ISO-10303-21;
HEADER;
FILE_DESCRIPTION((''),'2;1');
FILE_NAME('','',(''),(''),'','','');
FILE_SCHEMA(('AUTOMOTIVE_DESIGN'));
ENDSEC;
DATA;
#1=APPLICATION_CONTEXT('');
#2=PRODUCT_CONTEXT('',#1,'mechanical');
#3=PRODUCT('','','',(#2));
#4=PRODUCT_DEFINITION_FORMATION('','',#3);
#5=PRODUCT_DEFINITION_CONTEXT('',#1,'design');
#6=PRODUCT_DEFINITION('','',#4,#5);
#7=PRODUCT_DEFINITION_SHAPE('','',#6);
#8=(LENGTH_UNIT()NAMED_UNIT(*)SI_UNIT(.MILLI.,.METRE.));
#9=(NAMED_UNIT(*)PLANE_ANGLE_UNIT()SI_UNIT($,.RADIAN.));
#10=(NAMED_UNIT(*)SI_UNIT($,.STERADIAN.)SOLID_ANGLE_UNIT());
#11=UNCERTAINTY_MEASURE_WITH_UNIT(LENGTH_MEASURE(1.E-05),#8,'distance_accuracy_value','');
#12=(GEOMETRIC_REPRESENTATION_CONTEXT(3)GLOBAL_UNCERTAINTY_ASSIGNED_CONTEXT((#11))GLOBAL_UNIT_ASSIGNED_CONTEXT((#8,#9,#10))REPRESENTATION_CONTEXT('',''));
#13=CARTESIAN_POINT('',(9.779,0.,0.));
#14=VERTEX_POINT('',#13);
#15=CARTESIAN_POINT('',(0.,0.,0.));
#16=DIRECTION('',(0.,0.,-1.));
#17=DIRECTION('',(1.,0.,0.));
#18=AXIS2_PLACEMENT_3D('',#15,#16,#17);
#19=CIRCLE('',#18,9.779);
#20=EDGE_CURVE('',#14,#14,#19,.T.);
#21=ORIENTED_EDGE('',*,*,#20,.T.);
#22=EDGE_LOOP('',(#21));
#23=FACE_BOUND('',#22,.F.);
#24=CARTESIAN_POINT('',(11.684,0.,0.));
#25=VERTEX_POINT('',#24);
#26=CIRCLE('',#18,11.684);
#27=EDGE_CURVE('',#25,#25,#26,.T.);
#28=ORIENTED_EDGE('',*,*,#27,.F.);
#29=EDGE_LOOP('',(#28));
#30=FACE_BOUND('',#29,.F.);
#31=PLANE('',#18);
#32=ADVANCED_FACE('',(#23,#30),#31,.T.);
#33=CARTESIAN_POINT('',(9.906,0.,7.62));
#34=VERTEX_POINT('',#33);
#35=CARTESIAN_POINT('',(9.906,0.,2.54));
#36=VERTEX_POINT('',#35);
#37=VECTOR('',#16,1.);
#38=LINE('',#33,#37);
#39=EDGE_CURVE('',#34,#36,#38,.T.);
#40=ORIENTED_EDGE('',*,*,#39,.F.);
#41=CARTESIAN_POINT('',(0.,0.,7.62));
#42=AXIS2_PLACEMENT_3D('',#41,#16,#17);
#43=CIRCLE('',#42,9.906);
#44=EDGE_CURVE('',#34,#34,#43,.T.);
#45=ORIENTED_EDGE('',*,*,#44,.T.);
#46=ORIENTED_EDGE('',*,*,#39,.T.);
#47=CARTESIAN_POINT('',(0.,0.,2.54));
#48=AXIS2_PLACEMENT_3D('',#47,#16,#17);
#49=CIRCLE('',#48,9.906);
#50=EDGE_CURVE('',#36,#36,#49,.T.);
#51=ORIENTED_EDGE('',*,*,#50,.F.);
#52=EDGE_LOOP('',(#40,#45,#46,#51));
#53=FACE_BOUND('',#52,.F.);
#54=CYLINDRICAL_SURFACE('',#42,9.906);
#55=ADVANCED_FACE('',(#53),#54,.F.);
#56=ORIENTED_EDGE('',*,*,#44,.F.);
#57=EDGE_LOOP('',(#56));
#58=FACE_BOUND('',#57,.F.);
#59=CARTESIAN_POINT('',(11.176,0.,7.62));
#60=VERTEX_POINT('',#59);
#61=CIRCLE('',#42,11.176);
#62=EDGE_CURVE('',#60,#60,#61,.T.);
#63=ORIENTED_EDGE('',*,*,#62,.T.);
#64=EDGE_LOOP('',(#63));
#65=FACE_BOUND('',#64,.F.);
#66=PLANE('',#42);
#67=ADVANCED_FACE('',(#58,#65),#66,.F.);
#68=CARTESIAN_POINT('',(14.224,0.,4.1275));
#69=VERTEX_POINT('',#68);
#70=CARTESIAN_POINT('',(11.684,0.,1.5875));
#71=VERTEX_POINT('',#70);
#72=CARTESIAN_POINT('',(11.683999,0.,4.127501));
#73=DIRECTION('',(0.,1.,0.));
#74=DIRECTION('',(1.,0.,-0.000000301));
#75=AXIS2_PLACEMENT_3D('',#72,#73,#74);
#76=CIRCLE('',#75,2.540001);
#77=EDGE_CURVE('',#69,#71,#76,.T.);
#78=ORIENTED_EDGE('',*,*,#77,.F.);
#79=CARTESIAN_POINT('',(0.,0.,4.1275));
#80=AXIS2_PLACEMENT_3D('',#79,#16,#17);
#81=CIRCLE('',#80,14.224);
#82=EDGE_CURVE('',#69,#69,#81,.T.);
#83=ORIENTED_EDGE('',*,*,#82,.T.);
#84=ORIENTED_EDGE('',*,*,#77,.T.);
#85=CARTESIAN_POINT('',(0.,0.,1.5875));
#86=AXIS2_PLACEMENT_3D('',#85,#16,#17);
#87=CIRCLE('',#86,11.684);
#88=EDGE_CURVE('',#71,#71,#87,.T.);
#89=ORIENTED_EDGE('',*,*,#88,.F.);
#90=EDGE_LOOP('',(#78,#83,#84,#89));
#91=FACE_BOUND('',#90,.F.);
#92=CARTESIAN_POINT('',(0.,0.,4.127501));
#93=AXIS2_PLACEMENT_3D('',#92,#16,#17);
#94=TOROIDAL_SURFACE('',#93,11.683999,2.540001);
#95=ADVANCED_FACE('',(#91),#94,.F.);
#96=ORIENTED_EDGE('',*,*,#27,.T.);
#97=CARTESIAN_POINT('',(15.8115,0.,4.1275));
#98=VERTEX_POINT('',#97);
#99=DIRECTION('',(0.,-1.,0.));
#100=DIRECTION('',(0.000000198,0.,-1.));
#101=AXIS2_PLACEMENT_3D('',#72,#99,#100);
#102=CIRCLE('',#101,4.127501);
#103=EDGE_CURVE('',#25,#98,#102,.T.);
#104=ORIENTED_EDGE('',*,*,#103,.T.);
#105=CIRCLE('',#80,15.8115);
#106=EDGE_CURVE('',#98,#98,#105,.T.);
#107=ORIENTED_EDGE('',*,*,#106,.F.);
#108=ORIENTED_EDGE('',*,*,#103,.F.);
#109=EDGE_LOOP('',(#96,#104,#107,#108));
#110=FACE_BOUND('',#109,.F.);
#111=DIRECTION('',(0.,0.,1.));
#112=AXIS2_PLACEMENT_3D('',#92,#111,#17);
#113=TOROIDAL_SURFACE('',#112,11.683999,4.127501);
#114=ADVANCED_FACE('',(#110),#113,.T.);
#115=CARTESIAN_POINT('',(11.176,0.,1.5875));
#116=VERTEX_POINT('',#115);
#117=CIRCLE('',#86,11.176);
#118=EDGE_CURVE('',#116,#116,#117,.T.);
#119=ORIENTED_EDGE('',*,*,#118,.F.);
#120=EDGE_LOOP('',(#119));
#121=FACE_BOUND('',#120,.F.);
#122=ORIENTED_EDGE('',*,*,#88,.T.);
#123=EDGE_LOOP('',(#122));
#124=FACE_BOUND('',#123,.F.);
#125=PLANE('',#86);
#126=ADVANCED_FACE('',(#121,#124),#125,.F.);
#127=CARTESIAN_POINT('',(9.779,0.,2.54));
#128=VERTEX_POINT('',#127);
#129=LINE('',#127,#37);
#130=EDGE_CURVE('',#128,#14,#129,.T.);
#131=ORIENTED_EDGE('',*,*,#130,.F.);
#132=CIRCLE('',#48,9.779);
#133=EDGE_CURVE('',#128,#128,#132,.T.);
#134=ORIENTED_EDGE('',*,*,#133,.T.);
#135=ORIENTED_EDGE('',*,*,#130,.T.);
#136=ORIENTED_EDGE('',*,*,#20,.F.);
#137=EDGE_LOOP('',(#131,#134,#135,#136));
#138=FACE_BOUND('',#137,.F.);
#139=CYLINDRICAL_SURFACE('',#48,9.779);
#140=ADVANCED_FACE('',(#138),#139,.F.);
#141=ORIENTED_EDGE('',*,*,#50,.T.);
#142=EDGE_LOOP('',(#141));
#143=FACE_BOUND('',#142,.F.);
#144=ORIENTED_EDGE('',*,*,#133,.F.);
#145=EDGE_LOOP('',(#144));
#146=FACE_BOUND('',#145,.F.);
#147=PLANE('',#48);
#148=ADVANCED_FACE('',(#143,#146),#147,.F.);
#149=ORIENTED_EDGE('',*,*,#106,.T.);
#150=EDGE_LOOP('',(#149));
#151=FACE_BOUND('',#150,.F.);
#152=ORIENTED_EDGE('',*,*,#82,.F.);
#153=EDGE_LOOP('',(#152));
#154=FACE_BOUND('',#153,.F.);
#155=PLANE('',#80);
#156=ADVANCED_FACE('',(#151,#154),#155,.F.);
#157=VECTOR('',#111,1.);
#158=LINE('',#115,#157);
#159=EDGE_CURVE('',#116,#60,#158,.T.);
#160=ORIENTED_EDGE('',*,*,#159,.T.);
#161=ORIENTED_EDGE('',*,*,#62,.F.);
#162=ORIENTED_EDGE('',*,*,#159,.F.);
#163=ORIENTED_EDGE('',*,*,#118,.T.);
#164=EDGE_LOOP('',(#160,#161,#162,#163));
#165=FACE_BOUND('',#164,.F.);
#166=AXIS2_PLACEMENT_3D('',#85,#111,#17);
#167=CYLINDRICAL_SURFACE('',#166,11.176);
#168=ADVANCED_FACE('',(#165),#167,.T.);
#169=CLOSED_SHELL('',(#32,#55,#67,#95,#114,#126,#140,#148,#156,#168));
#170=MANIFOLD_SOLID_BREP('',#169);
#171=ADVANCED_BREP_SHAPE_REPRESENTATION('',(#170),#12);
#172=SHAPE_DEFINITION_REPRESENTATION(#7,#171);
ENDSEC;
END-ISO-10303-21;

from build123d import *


with BuildPart() as f1:
    # F0 (on Front) → F1 (revolve)
    with BuildSketch(Plane.XZ):
        with BuildLine():
            Line((11.176, 7.62), (9.906, 7.62))
            Line((9.906, 7.62), (9.906, 2.54))
            Line((9.906, 2.54), (9.779, 2.54))
            Line((9.779, 2.54), (9.779, 0))
            Line((9.779, 0), (11.684, 0))
            ThreePointArc((11.684, 0), (14.602583, 1.208917), (15.8115, 4.1275))
            Line((15.8115, 4.1275), (14.224, 4.1275))
            ThreePointArc((14.224, 4.1275), (13.480051, 2.331449), (11.684, 1.5875))
            Line((11.684, 1.5875), (11.176, 1.5875))
            Line((11.176, 1.5875), (11.176, 7.62))
        make_face()
    revolve(axis=Axis((0, 0, 7.01159), (0, 0, -1)))


solid = f1.part
